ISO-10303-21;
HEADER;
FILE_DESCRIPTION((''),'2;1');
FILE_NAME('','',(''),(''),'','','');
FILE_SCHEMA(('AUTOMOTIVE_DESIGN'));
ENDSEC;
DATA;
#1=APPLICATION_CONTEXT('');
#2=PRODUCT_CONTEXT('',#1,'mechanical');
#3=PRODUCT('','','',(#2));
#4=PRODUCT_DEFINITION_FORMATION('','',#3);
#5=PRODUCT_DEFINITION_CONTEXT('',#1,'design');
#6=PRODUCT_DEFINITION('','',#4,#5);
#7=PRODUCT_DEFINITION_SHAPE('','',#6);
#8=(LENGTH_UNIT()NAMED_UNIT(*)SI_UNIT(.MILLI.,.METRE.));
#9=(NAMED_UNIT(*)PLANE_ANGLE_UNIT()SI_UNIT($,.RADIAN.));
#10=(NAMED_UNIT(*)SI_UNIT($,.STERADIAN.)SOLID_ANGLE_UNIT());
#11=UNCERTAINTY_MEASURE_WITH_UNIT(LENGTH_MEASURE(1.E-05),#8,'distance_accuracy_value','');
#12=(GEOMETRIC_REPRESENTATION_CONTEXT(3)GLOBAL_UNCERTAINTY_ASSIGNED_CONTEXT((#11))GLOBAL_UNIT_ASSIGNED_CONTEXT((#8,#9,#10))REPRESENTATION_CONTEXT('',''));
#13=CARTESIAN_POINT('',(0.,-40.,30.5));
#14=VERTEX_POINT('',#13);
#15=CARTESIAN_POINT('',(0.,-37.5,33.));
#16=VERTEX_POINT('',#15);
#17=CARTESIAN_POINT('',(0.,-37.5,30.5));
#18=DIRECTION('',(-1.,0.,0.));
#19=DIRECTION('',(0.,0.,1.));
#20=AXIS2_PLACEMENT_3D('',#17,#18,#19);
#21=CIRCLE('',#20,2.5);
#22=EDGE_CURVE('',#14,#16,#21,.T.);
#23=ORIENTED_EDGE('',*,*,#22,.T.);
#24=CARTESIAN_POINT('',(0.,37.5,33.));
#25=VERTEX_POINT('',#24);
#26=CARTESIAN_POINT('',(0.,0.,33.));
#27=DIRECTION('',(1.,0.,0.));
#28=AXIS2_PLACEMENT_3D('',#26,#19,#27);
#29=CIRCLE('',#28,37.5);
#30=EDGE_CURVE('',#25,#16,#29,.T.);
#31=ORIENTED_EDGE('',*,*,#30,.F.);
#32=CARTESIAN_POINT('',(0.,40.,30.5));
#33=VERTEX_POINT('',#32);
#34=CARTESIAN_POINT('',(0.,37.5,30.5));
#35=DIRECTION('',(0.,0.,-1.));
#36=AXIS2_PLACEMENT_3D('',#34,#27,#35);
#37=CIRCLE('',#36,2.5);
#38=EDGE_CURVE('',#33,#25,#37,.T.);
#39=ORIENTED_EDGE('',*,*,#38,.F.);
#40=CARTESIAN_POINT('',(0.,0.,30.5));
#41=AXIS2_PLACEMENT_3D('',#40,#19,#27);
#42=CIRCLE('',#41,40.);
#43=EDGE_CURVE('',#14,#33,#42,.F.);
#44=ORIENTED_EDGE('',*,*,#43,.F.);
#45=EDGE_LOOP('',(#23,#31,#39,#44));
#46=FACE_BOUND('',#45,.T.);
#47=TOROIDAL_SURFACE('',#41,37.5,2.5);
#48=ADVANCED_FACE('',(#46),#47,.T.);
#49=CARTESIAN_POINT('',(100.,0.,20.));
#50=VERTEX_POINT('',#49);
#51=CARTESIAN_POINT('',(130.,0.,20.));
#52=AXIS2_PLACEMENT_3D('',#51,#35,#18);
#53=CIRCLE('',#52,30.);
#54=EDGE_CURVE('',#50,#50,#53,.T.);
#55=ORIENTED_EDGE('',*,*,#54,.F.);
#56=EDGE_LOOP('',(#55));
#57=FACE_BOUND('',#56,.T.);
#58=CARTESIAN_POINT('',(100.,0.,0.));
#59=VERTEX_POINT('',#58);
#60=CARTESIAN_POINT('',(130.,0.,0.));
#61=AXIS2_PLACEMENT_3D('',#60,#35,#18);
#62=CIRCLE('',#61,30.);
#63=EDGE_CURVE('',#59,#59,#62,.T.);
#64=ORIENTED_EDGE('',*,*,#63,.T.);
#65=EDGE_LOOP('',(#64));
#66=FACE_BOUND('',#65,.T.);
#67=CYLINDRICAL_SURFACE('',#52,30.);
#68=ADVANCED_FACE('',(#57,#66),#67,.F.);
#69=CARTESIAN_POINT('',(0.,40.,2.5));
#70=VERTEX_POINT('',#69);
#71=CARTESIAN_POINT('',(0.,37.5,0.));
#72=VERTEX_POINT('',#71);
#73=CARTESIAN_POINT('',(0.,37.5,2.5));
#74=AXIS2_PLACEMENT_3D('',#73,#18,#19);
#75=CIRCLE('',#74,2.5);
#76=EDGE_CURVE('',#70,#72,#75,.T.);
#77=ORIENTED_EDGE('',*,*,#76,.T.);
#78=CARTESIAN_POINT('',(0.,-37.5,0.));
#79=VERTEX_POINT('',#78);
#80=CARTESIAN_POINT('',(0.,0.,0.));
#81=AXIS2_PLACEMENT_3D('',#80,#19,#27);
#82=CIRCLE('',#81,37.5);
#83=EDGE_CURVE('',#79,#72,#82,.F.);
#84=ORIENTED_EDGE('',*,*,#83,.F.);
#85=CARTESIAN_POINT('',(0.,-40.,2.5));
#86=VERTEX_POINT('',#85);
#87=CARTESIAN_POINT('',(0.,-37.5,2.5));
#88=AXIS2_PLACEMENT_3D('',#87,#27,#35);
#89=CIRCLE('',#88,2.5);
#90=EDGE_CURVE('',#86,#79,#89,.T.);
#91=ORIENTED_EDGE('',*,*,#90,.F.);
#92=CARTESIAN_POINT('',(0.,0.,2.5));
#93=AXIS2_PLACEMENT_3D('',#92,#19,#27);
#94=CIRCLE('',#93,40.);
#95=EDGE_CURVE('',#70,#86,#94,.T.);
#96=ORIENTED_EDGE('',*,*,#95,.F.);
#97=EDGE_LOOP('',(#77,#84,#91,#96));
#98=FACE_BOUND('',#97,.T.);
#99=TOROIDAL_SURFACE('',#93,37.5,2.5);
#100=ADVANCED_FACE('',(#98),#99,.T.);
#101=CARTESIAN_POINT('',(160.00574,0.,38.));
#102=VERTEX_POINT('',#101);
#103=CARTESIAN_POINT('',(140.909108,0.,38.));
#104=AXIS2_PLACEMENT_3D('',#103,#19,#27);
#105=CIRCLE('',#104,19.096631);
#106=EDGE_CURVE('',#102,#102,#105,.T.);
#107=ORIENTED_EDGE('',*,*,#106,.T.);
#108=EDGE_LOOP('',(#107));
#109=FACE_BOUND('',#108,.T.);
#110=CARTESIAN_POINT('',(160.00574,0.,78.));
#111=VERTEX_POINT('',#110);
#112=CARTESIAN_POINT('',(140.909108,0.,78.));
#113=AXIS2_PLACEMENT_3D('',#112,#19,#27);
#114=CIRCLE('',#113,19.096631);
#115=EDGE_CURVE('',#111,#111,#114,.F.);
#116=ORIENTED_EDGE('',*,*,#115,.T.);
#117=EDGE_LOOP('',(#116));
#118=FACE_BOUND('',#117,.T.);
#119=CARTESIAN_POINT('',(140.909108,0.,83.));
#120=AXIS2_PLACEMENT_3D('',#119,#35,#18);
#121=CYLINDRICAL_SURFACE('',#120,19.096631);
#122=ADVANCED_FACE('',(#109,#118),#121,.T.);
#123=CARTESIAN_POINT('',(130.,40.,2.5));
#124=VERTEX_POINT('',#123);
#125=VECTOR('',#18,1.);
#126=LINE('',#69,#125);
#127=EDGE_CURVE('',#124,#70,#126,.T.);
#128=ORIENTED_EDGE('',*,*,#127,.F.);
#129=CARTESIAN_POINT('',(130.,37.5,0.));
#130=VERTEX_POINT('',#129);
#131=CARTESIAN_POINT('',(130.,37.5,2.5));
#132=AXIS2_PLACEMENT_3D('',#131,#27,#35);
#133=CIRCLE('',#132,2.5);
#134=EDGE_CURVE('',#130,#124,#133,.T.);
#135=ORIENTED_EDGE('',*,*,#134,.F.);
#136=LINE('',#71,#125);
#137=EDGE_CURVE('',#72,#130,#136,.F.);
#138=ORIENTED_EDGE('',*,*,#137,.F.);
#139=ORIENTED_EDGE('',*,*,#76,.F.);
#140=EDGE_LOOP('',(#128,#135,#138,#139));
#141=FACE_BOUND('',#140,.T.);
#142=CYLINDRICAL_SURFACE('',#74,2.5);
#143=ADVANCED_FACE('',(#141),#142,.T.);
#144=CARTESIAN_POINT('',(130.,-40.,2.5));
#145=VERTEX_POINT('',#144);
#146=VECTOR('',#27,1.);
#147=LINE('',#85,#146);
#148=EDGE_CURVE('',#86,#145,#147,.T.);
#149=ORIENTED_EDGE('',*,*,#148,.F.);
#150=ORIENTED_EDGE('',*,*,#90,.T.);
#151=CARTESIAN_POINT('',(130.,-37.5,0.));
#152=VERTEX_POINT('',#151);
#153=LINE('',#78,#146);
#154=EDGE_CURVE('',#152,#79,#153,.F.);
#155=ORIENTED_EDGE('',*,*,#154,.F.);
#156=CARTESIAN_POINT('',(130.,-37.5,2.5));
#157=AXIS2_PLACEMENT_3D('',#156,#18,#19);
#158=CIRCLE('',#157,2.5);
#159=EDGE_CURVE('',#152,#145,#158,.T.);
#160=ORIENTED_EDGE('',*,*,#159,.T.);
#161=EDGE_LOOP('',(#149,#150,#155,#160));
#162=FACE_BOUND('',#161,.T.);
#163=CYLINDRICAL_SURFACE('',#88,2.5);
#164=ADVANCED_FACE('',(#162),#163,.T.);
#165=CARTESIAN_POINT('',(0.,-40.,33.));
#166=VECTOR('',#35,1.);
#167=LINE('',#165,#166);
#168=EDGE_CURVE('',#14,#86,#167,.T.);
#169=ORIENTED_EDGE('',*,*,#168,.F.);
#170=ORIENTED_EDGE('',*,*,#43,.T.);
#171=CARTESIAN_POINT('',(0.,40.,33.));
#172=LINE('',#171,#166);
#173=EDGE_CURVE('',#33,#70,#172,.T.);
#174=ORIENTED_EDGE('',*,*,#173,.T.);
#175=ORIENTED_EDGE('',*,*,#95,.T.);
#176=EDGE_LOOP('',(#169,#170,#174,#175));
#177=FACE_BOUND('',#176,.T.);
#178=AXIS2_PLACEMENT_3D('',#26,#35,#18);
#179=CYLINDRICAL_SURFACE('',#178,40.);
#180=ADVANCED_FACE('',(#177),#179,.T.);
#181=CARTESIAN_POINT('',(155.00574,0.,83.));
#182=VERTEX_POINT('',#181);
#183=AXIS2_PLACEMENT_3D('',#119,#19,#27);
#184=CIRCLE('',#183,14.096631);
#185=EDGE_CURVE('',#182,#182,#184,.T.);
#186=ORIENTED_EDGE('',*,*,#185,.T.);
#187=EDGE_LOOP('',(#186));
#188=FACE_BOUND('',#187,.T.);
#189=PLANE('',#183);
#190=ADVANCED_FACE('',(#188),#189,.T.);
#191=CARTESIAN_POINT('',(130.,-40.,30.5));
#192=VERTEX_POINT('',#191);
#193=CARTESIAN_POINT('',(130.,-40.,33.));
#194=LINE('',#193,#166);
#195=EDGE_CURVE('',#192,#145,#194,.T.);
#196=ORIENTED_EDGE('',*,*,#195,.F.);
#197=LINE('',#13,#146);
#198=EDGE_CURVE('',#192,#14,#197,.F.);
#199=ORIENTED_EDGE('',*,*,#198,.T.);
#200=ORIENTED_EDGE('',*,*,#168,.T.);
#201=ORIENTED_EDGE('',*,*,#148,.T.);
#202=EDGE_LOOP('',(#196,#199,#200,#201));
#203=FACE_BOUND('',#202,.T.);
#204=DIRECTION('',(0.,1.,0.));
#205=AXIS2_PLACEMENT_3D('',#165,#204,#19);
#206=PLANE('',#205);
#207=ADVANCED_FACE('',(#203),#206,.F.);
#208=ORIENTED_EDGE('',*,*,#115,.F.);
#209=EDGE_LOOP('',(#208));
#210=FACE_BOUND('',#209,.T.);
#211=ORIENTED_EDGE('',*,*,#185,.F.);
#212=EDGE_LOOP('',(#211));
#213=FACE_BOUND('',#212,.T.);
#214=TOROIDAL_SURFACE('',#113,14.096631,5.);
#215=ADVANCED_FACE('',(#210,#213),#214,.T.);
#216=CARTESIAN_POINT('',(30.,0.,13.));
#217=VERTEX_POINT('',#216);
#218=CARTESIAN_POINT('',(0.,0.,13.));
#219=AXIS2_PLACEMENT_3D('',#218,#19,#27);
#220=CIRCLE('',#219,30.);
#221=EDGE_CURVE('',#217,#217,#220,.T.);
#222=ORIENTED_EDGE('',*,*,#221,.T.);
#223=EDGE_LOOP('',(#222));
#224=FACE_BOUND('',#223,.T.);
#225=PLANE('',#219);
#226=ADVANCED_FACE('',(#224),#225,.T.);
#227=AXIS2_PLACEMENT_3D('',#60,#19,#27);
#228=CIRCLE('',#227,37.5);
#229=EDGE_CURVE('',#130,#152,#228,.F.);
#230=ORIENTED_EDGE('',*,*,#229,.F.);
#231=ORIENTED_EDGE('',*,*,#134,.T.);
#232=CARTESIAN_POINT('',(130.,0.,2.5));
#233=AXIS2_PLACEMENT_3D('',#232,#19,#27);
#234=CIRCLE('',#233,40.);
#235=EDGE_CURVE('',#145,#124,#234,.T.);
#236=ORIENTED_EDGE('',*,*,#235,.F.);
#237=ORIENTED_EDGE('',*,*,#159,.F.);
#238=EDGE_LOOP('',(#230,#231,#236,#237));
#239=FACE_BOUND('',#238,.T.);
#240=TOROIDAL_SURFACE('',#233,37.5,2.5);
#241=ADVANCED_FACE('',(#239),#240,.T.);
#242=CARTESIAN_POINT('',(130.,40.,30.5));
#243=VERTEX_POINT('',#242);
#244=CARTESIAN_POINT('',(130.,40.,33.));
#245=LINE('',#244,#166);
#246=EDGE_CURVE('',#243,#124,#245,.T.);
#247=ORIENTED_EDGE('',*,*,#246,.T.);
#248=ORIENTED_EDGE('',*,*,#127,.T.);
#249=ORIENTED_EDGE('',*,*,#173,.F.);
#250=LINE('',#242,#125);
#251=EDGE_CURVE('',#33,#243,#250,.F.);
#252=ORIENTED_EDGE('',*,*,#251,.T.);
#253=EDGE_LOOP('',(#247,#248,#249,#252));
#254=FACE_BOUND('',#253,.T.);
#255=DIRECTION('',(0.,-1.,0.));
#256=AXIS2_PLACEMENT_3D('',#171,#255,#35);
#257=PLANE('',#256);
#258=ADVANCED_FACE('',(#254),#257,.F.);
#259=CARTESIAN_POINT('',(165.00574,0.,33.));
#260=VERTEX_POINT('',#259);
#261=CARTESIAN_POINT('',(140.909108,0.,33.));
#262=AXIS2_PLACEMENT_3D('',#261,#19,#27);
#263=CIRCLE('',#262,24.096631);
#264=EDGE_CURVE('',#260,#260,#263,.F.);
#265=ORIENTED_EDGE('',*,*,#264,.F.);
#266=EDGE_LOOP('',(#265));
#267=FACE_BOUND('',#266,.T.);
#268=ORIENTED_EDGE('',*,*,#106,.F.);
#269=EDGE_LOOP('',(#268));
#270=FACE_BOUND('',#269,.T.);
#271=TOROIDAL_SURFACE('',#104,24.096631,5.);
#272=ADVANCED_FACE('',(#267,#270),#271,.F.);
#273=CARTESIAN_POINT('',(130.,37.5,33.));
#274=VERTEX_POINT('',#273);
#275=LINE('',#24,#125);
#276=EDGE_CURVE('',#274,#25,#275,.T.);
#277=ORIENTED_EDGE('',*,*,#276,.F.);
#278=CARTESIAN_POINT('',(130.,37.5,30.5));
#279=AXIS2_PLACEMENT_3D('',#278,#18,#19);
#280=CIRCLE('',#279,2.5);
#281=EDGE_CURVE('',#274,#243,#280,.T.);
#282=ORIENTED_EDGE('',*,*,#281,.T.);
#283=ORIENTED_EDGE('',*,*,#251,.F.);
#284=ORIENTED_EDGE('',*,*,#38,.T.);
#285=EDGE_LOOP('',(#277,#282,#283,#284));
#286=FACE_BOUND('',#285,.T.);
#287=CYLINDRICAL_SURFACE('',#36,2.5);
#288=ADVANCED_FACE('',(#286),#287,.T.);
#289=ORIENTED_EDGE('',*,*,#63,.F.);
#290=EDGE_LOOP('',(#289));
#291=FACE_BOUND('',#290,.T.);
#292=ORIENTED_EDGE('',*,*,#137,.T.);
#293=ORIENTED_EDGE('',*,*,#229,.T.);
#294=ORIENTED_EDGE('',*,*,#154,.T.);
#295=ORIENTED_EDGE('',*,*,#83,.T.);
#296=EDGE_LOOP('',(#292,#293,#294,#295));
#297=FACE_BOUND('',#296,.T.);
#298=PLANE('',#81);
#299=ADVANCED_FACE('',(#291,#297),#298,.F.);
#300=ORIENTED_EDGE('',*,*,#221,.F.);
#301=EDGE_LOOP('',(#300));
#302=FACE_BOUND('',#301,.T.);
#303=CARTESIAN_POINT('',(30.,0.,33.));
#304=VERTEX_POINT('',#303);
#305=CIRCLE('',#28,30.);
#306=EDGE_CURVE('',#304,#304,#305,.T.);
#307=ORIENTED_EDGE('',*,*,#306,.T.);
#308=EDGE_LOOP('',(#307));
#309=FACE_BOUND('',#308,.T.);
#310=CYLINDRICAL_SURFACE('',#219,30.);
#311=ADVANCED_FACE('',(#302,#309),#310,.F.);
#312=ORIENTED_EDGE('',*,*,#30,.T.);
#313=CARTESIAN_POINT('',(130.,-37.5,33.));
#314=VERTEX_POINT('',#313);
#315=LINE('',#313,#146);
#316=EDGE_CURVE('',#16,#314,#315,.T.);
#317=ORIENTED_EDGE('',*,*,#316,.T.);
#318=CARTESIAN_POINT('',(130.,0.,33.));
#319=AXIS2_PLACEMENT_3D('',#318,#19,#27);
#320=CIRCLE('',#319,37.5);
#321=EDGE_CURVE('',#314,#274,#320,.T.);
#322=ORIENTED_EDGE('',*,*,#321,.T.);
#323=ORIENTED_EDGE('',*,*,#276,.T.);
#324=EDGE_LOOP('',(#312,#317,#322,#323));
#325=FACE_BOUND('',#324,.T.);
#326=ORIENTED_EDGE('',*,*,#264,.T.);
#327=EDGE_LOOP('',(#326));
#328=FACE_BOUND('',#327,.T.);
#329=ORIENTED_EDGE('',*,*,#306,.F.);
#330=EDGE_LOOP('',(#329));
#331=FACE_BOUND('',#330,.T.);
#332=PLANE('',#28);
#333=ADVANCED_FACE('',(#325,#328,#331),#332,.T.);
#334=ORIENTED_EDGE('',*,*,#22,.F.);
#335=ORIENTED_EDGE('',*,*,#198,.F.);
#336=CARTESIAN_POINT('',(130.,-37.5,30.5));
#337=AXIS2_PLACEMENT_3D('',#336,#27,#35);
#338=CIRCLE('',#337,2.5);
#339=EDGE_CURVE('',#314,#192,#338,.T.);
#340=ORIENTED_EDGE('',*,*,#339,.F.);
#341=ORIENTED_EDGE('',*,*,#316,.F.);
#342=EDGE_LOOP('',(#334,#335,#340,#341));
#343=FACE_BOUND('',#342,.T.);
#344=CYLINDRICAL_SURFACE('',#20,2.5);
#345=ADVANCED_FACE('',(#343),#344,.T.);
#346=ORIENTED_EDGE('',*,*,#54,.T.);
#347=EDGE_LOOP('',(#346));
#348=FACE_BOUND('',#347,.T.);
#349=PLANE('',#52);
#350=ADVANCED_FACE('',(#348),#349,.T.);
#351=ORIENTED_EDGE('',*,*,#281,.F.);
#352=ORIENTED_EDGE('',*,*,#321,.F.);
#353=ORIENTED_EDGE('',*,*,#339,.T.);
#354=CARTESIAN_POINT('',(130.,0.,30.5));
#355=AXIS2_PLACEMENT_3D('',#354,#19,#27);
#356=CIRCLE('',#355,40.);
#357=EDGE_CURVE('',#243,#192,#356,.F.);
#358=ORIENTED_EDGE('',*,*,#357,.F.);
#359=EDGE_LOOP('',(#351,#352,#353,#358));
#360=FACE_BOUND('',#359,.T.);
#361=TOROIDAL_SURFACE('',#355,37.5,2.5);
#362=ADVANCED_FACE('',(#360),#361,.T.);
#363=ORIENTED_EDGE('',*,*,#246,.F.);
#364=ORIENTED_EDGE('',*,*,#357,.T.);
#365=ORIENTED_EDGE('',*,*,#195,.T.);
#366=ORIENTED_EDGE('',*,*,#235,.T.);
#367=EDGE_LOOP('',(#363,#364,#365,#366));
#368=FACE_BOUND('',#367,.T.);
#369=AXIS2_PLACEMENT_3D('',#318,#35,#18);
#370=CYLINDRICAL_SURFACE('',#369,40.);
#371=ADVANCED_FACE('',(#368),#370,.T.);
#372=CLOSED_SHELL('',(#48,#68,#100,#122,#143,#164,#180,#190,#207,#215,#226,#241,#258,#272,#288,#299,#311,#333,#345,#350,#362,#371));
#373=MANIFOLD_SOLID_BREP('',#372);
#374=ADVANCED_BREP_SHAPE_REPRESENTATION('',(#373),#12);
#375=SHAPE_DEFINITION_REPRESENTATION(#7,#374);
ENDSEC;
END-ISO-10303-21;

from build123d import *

# Parameters (mm, degrees)
SALIENTE_EXTRUIR1_DEPTH = 33
REDONDEO1_R             = 2.5
CROQUIS2_R              = 30
CORTAR_EXTRUIR1_DEPTH   = 20
CROQUIS3_R              = 30
CORTAR_EXTRUIR2_DEPTH   = 20
CROQUIS4_R              = 19.096631059
SALIENTE_EXTRUIR2_DEPTH = 50
REDONDEO2_R             = 5


with BuildPart() as part:
    # Croquis1 → Saliente-Extruir1 (new body)
    with BuildSketch(Plane.XY):
        with BuildLine():
            Line((0, 40), (130, 40))
            ThreePointArc((130, 40), (170, 0), (130, -40))
            Line((130, -40), (0, -40))
            ThreePointArc((0, -40), (-40, 0), (0, 40))
        make_face()
    extrude(amount=SALIENTE_EXTRUIR1_DEPTH)

    # Redondeo1
    redondeo1_edges = [part.edges().sort_by_distance(p)[0] for p in [
        (170, 0, 33),
        (65, 40, 33),
        (-40, 0, 33),
        (65, 40, 0),
        (170, 0, 0),
        (65, -40, 0),
        (-40, 0, 0),
        (65, -40, 33),
    ]]
    fillet(redondeo1_edges, radius=REDONDEO1_R)

    # Croquis2 → Cortar-Extruir1 (cut)
    with BuildSketch(Plane.XY.offset(33)):
        Circle(CROQUIS2_R)
    extrude(amount=-CORTAR_EXTRUIR1_DEPTH, mode=Mode.SUBTRACT)

    # Croquis3 → Cortar-Extruir2 (cut)
    with BuildSketch(Plane(origin=(0, 0, 0), x_dir=(-1, 0, 0), z_dir=(0, 0, -1))):
        with Locations((-130, 0)):
            Circle(CROQUIS3_R)
    extrude(amount=-CORTAR_EXTRUIR2_DEPTH, mode=Mode.SUBTRACT)

    # Croquis4 → Saliente-Extruir2 (add)
    with BuildSketch(Plane.XY.offset(33)):
        with Locations((140.909108461, 0)):
            Circle(CROQUIS4_R)
    extrude(amount=SALIENTE_EXTRUIR2_DEPTH)

    # Redondeo2
    redondeo2_edges = [part.edges().sort_by_distance(p)[0] for p in [
        (121.812477402, 0, 33),
        (121.812477402, 0, 83),
    ]]
    fillet(redondeo2_edges, radius=REDONDEO2_R)


solid = part.part
